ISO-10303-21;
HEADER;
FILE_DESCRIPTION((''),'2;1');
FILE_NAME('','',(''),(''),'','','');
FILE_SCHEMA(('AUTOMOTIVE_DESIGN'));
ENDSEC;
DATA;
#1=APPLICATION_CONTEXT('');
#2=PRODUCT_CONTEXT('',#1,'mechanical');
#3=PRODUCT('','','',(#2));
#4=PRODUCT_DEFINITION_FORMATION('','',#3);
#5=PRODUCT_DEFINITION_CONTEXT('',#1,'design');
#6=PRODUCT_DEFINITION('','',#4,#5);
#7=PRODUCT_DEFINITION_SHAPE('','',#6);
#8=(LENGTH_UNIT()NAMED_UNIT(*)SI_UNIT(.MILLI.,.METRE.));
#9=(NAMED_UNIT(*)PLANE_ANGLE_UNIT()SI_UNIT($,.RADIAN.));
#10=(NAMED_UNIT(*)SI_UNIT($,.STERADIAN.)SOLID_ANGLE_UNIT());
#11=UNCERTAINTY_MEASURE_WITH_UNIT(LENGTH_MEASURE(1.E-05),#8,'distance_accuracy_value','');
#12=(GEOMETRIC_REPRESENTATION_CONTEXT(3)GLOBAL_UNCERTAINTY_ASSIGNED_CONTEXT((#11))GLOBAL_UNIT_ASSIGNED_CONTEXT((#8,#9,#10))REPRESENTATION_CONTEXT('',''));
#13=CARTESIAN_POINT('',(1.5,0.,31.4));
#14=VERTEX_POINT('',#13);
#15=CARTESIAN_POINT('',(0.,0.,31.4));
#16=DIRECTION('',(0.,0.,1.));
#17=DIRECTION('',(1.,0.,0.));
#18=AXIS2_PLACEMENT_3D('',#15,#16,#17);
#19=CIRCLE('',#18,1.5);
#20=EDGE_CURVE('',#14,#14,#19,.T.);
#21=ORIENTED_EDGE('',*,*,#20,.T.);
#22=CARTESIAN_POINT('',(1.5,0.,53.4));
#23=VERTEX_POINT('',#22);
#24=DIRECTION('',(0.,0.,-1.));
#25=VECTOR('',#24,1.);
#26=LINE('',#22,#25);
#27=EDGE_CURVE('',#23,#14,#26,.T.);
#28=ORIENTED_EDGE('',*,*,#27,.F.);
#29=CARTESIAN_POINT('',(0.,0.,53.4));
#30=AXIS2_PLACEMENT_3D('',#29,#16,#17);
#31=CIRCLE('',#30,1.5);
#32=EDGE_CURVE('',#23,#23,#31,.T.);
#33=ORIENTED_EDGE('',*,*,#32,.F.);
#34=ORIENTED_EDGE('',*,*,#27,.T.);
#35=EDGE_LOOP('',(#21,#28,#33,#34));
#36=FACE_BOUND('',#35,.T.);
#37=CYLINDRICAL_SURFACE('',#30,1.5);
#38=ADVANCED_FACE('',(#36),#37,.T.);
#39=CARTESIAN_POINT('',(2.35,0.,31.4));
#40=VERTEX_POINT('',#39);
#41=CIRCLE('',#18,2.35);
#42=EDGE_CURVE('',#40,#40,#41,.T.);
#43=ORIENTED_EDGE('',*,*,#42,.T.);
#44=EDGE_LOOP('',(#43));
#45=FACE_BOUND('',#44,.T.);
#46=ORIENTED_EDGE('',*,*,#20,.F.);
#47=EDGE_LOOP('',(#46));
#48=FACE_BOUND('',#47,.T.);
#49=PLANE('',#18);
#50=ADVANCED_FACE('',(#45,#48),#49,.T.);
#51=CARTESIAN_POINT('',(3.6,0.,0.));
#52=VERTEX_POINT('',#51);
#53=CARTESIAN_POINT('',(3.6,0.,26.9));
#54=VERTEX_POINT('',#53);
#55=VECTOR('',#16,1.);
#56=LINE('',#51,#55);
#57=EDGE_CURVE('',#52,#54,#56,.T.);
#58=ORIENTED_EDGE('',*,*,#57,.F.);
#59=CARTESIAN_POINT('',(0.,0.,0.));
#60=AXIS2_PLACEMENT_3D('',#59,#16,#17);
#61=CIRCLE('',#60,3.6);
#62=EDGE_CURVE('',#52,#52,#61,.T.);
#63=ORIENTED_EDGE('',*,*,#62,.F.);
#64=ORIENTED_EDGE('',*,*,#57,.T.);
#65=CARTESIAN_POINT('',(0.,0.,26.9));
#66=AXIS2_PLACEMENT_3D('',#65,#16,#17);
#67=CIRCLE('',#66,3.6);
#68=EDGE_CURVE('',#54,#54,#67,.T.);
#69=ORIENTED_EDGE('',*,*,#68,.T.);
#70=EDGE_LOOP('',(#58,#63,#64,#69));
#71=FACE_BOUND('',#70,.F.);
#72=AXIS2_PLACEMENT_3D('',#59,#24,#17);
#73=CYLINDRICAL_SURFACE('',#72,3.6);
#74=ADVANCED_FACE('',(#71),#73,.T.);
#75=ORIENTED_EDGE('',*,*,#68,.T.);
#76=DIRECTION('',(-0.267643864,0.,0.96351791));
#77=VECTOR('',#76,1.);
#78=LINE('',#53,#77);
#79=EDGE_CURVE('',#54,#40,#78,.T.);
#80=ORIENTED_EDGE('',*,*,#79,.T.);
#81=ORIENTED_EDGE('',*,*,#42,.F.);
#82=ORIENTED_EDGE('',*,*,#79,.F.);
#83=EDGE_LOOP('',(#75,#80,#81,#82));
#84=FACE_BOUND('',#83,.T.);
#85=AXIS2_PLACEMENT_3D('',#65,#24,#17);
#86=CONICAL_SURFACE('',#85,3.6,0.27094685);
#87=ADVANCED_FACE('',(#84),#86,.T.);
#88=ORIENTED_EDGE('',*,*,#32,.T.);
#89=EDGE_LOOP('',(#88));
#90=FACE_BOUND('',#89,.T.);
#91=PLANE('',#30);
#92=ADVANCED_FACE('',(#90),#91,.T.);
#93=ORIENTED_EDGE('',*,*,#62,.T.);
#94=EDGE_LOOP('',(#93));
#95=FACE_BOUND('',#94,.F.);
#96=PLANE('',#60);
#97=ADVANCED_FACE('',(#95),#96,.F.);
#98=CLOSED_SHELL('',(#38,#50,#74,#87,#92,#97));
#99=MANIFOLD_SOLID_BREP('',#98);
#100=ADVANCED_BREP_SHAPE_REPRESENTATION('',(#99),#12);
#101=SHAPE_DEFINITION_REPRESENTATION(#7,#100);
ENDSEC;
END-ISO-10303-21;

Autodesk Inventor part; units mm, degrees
ref_plane "YZ Plane" through (0, 0, 0) normal (1, 0, 0) x (0, 1, 0)
ref_plane "XZ Plane" through (0, 0, 0) normal (0, 1, 0) x (-1, 0, 0)
ref_plane "XY Plane" through (0, 0, 0) normal (0, 0, 1) x (1, 0, 0)
sketch "Sketch1" plane through (0, 0, 0) normal (0, 0, 1) x (1, 0, 0)
  circle A0 centre (0, 0) radius 3.6
  dimension "d0" = 7.2
extrude "Extrusion1" add sketch "Sketch1" along normal blind 53.4
sketch "Sketch2" plane through (0, 0, 53.4) normal (0, 0, 1) x (1, 0, 0)
  circle A0 centre (0, 0) radius 1.5
  circle A1 centre (0, 0) radius 3.6
  dimension "d3" = 3
  dimension "d4" = 7.2
extrude "Extrusion2" cut sketch "Sketch2" against normal blind 22
sketch "Sketch3" plane through (0, 0, 31.4) normal (0, 0, 1) x (1, 0, 0)
  circle A0 centre (0, 0) radius 3.6
  circle A1 centre (0, 0) radius 2.35
  dimension "d7" = 7.2
  dimension "d8" = 4.7
chamfer "Chamfer1" distance 4.5 distance2 1.25 1 edges at (-3.6, 0, 31.4) measured on face at (3.5534, -0.5775, 20.9333)
properties part number "Solenoid_pin"
